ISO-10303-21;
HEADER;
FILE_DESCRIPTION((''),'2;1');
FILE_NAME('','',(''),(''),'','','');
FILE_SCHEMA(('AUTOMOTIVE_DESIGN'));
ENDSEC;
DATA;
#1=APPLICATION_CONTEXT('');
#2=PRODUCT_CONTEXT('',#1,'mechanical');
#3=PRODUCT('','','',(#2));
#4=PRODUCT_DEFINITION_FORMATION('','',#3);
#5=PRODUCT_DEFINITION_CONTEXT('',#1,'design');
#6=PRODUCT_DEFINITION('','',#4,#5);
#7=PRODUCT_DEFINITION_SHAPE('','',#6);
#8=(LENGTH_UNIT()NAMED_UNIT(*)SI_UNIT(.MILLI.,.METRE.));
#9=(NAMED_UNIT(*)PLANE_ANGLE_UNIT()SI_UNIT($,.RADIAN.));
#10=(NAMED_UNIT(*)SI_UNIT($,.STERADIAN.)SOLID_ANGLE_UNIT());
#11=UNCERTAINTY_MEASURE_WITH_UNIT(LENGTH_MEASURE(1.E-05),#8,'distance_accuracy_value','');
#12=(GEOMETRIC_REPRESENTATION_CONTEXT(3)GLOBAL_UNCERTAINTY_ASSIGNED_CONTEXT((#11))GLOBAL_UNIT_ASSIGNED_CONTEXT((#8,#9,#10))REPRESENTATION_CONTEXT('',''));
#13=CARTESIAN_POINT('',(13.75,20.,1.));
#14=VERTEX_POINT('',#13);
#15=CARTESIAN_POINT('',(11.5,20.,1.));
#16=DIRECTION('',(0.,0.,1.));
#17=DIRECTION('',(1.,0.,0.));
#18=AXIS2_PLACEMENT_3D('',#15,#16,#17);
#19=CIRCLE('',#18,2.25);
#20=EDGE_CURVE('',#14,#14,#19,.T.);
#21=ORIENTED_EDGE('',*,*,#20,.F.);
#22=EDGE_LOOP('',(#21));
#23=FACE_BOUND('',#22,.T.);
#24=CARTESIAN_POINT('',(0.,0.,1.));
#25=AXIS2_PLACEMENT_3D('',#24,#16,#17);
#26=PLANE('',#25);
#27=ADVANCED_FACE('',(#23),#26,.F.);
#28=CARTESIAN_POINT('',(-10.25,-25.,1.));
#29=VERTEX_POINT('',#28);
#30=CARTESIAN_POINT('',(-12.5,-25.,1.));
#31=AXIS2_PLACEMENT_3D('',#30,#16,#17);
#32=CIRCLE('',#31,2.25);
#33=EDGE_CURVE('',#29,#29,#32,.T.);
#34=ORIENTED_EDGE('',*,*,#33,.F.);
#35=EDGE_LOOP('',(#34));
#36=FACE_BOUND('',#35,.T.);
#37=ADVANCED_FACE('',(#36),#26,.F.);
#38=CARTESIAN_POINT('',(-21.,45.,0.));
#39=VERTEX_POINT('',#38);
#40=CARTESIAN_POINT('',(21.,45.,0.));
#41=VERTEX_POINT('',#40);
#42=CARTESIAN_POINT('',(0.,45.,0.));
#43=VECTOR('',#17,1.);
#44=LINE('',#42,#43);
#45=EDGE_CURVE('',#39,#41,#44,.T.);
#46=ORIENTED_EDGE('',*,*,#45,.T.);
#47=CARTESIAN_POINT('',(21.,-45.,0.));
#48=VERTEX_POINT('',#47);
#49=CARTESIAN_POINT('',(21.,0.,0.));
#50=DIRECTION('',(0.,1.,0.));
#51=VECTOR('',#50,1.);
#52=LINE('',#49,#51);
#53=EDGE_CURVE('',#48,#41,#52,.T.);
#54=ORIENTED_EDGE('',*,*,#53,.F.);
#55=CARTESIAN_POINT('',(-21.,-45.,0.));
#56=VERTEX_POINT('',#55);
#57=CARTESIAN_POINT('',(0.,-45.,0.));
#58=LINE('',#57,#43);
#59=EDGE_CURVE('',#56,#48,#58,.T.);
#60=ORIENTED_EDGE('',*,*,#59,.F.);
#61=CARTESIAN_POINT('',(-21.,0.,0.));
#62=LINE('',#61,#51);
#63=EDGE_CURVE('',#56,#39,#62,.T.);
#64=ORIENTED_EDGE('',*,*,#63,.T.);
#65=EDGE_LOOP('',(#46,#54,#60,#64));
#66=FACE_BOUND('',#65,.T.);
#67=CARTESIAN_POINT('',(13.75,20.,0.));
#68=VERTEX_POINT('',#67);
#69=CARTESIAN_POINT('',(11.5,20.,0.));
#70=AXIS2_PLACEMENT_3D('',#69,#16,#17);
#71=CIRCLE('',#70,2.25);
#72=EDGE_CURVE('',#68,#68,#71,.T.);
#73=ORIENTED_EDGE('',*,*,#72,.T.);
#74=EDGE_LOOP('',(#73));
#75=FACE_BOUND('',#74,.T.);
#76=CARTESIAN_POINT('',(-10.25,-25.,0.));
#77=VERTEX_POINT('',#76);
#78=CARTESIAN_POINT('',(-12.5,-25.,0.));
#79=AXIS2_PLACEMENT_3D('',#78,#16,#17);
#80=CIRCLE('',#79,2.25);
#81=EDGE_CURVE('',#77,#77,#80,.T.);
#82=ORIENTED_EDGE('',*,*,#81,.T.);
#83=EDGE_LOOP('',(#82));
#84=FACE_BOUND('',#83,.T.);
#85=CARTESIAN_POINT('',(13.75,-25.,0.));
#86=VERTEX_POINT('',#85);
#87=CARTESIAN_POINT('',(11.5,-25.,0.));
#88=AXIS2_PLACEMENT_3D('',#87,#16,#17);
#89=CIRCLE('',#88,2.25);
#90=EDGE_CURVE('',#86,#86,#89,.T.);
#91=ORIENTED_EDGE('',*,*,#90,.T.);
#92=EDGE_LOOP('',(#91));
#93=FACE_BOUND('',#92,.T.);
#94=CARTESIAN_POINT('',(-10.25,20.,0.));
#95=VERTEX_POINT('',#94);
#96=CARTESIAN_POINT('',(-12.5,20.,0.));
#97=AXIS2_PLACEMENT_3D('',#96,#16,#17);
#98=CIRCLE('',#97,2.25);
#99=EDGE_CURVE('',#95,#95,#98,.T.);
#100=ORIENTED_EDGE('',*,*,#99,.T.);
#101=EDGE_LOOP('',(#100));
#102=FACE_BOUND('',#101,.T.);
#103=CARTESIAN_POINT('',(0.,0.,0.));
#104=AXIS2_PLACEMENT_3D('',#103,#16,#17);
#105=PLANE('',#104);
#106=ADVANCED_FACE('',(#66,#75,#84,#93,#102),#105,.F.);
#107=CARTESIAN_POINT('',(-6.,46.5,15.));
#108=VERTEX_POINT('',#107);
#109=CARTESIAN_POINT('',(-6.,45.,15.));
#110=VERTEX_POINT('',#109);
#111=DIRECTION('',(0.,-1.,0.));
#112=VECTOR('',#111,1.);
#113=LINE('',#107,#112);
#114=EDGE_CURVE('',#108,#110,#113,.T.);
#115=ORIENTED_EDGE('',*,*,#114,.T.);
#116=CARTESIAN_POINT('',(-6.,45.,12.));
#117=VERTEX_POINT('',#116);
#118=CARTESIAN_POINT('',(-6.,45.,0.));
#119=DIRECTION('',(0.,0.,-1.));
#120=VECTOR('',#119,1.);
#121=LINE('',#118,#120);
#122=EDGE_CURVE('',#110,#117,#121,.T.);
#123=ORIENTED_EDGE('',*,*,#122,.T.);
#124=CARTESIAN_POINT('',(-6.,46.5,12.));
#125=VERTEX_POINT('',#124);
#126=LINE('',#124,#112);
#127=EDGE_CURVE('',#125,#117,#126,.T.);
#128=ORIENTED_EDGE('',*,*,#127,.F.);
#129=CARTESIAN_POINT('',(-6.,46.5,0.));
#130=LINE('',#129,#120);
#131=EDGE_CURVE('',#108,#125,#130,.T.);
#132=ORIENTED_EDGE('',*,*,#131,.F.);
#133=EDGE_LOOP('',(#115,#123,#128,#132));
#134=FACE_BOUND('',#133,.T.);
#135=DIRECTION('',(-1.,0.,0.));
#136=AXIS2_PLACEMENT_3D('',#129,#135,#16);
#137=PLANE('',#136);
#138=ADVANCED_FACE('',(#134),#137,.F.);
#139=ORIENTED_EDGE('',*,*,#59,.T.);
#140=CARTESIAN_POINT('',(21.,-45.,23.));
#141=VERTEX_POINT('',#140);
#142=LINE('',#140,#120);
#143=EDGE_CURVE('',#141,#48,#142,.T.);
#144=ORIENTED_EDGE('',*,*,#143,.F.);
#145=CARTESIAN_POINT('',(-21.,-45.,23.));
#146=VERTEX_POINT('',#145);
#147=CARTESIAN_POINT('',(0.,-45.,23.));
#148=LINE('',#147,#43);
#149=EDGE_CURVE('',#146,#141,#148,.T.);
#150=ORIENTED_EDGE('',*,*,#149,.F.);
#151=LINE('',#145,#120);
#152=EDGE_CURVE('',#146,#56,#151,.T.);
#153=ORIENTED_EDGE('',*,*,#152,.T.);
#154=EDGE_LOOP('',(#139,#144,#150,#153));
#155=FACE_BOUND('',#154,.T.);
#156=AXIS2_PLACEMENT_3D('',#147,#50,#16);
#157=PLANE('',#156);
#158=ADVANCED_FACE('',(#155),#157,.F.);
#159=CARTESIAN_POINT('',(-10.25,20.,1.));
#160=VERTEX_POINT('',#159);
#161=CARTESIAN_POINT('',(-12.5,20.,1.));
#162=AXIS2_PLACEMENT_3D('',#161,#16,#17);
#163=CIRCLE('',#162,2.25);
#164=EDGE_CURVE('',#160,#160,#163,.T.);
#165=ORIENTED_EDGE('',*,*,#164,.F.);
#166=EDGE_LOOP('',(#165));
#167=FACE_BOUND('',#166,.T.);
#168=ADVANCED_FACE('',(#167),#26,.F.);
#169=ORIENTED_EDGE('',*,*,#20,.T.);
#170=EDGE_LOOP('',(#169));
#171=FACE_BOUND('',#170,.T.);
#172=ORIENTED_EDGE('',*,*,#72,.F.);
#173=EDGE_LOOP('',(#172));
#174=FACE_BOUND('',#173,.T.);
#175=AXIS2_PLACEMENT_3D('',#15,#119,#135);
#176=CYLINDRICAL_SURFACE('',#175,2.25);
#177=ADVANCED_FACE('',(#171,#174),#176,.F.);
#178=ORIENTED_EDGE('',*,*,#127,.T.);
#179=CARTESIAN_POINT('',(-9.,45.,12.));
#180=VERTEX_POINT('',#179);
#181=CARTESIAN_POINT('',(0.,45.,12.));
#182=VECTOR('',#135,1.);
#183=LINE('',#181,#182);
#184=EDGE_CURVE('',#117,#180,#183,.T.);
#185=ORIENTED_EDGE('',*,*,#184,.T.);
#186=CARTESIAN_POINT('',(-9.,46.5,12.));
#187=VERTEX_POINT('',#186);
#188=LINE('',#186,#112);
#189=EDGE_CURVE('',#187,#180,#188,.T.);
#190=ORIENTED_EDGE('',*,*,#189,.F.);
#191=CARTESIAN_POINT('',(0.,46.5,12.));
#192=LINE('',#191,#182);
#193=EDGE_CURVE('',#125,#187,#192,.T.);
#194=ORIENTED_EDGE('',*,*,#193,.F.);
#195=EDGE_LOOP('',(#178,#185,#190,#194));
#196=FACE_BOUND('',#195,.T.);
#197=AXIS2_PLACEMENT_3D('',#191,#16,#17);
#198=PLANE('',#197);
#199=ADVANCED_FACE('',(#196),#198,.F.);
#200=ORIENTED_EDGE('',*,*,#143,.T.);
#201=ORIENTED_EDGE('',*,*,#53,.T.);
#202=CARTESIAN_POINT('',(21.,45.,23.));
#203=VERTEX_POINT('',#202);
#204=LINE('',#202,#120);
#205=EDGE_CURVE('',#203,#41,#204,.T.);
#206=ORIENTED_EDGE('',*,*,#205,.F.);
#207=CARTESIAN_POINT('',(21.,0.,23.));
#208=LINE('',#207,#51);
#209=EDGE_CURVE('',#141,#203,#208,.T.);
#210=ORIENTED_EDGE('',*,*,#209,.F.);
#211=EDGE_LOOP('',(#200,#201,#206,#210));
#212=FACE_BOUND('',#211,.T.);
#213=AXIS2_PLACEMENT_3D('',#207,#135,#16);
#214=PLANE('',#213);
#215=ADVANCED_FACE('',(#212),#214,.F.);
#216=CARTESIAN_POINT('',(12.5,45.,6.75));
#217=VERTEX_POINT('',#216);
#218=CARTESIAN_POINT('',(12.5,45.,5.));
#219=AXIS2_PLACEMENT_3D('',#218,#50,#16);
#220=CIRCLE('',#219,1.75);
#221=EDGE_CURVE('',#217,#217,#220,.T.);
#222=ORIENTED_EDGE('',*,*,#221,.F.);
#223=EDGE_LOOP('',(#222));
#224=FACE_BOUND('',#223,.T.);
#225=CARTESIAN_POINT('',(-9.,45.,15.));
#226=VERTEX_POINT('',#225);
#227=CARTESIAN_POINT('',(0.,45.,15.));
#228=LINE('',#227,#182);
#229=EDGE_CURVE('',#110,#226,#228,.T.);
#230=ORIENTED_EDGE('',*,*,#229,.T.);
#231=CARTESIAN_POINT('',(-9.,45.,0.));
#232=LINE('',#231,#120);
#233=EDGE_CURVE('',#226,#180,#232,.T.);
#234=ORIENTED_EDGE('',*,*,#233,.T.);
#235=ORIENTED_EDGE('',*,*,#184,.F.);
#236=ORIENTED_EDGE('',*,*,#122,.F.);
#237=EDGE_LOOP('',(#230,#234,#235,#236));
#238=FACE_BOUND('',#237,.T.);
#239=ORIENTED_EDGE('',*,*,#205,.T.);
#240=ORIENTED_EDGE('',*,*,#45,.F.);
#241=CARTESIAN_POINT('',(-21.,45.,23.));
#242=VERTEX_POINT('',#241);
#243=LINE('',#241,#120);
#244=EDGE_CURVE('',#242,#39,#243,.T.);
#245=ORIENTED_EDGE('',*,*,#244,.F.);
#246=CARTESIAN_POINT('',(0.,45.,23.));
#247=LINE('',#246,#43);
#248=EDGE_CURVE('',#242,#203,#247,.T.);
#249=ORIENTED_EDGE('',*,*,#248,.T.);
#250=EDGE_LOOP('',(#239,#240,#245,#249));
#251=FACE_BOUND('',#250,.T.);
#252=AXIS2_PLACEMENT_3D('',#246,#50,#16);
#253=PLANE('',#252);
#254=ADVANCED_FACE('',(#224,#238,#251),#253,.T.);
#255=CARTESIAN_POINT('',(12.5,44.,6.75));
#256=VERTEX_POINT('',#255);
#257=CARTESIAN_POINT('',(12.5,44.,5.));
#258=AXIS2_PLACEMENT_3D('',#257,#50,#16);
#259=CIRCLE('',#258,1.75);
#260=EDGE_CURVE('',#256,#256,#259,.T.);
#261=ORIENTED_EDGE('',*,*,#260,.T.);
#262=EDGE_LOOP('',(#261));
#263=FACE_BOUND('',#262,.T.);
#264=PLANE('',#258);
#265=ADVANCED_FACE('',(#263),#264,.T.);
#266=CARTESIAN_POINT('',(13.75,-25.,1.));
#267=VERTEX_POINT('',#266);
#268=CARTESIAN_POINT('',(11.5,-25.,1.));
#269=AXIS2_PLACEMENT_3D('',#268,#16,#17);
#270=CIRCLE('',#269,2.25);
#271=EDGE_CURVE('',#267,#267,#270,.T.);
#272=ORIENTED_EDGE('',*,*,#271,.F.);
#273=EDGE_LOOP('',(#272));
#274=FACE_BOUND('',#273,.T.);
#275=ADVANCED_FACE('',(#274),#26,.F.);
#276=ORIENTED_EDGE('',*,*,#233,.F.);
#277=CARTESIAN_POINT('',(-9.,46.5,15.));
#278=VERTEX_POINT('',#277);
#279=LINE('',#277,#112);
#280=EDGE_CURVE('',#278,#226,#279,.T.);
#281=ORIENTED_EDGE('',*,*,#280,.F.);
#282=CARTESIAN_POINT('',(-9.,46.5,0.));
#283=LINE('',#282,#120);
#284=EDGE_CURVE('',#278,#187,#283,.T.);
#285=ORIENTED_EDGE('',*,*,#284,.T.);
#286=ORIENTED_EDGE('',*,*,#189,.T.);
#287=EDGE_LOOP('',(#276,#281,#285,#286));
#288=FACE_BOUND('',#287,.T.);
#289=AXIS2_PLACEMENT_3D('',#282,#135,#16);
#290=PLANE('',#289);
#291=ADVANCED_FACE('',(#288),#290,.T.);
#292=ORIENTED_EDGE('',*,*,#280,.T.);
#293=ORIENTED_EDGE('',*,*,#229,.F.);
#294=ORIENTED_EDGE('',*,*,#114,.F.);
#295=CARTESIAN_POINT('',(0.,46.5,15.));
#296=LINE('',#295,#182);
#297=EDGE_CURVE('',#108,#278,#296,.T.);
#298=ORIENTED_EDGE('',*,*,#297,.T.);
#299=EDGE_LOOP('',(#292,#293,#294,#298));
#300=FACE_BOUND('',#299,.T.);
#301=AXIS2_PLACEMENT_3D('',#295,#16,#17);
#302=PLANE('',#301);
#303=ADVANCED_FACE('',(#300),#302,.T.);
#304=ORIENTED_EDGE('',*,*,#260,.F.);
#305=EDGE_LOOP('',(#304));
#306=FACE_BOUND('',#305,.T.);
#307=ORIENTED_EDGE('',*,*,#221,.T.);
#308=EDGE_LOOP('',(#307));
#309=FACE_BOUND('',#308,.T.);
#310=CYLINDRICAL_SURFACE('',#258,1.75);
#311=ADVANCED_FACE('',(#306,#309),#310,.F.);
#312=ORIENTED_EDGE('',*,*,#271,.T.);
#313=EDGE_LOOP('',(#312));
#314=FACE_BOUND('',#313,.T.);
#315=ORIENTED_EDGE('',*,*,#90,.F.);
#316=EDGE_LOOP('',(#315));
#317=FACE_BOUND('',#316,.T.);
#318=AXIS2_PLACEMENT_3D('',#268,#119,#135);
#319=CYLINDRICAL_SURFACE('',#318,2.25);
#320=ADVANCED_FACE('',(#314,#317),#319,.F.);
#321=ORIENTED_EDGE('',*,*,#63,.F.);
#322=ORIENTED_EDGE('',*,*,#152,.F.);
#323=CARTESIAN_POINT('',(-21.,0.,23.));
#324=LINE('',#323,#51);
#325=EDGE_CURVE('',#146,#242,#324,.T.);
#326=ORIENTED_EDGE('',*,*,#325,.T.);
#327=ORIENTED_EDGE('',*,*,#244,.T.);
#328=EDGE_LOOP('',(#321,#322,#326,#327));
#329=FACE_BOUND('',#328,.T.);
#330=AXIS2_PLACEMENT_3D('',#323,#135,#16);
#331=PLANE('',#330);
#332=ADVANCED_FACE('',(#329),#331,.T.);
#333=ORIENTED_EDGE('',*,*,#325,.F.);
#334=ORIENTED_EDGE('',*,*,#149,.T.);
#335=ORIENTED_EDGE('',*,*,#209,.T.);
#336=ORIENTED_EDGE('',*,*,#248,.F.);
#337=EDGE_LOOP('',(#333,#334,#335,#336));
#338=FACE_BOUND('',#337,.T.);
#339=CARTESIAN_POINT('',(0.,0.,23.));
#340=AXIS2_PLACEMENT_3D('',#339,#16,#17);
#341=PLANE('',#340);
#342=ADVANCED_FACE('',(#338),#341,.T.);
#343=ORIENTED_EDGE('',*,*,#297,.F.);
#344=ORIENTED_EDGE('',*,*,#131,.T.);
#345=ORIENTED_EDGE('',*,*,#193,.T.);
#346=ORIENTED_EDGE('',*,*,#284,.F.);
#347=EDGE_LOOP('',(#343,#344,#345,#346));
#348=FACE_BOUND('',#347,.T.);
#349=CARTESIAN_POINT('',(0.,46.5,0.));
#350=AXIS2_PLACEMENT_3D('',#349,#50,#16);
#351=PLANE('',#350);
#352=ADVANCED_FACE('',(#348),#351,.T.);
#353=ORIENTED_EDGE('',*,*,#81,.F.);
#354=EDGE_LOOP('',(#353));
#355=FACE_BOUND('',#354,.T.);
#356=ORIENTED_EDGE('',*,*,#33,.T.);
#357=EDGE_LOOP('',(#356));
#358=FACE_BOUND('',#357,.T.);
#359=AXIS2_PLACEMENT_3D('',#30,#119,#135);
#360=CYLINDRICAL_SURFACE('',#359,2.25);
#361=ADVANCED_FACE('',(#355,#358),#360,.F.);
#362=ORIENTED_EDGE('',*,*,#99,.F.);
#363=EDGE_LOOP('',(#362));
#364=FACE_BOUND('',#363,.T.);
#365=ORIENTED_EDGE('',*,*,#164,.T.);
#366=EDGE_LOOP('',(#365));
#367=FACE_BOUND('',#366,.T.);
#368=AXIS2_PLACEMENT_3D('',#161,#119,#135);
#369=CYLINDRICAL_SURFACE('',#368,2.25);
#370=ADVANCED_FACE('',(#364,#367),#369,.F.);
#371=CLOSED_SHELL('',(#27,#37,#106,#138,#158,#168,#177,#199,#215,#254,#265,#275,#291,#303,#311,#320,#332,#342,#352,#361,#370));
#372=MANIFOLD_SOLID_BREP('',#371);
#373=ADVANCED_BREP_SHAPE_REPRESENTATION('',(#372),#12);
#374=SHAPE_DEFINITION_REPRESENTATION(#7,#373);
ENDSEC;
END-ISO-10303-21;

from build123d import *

# Parameters (mm, degrees)
SKETCH1_W           = 90
SKETCH1_H           = 42
BOSS_EXTRUDE1_DEPTH = 23
SKETCH1_3_R         = 2.25
CUT_EXTRUDE1_DEPTH  = 1
SKETCH2_R           = 1.75
CUT_EXTRUDE2_DEPTH  = 1
SKETCH2_3_W         = 3
SKETCH2_3_H         = 3
BOSS_EXTRUDE2_DEPTH = 1.5


with BuildPart() as part:
    # Sketch1 → Boss-Extrude1 (new body)
    with BuildSketch(Plane(origin=(0, 0, 0), x_dir=(0, 1, 0), z_dir=(0, 0, 1))):
        Rectangle(SKETCH1_W, SKETCH1_H)
    extrude(amount=BOSS_EXTRUDE1_DEPTH)

    # Sketch1<3> → Cut-Extrude1 (cut)
    with BuildSketch(Plane(origin=(0, 0, 0), x_dir=(0, 1, 0), z_dir=(0, 0, 1))):
        with Locations((-25, 12.5)):
            Circle(SKETCH1_3_R)
        with Locations((-25, -11.5)):
            Circle(SKETCH1_3_R)
        with Locations((20, -11.5)):
            Circle(SKETCH1_3_R)
        with Locations((20, 12.5)):
            Circle(SKETCH1_3_R)
    extrude(amount=CUT_EXTRUDE1_DEPTH, mode=Mode.SUBTRACT)

    # Sketch2 → Cut-Extrude2 (cut)
    with BuildSketch(Plane(origin=(0, 45, 0), x_dir=(-1, 0, 0), z_dir=(0, 1, 0))):
        with Locations((-12.5, 5)):
            Circle(SKETCH2_R)
    extrude(amount=-CUT_EXTRUDE2_DEPTH, mode=Mode.SUBTRACT)

    # Sketch2<3> → Boss-Extrude2 (add)
    with BuildSketch(Plane(origin=(0, 45, 0), x_dir=(-1, 0, 0), z_dir=(0, 1, 0))):
        with Locations((7.5, 13.5)):
            Rectangle(SKETCH2_3_W, SKETCH2_3_H)
    extrude(amount=BOSS_EXTRUDE2_DEPTH)


solid = part.part
